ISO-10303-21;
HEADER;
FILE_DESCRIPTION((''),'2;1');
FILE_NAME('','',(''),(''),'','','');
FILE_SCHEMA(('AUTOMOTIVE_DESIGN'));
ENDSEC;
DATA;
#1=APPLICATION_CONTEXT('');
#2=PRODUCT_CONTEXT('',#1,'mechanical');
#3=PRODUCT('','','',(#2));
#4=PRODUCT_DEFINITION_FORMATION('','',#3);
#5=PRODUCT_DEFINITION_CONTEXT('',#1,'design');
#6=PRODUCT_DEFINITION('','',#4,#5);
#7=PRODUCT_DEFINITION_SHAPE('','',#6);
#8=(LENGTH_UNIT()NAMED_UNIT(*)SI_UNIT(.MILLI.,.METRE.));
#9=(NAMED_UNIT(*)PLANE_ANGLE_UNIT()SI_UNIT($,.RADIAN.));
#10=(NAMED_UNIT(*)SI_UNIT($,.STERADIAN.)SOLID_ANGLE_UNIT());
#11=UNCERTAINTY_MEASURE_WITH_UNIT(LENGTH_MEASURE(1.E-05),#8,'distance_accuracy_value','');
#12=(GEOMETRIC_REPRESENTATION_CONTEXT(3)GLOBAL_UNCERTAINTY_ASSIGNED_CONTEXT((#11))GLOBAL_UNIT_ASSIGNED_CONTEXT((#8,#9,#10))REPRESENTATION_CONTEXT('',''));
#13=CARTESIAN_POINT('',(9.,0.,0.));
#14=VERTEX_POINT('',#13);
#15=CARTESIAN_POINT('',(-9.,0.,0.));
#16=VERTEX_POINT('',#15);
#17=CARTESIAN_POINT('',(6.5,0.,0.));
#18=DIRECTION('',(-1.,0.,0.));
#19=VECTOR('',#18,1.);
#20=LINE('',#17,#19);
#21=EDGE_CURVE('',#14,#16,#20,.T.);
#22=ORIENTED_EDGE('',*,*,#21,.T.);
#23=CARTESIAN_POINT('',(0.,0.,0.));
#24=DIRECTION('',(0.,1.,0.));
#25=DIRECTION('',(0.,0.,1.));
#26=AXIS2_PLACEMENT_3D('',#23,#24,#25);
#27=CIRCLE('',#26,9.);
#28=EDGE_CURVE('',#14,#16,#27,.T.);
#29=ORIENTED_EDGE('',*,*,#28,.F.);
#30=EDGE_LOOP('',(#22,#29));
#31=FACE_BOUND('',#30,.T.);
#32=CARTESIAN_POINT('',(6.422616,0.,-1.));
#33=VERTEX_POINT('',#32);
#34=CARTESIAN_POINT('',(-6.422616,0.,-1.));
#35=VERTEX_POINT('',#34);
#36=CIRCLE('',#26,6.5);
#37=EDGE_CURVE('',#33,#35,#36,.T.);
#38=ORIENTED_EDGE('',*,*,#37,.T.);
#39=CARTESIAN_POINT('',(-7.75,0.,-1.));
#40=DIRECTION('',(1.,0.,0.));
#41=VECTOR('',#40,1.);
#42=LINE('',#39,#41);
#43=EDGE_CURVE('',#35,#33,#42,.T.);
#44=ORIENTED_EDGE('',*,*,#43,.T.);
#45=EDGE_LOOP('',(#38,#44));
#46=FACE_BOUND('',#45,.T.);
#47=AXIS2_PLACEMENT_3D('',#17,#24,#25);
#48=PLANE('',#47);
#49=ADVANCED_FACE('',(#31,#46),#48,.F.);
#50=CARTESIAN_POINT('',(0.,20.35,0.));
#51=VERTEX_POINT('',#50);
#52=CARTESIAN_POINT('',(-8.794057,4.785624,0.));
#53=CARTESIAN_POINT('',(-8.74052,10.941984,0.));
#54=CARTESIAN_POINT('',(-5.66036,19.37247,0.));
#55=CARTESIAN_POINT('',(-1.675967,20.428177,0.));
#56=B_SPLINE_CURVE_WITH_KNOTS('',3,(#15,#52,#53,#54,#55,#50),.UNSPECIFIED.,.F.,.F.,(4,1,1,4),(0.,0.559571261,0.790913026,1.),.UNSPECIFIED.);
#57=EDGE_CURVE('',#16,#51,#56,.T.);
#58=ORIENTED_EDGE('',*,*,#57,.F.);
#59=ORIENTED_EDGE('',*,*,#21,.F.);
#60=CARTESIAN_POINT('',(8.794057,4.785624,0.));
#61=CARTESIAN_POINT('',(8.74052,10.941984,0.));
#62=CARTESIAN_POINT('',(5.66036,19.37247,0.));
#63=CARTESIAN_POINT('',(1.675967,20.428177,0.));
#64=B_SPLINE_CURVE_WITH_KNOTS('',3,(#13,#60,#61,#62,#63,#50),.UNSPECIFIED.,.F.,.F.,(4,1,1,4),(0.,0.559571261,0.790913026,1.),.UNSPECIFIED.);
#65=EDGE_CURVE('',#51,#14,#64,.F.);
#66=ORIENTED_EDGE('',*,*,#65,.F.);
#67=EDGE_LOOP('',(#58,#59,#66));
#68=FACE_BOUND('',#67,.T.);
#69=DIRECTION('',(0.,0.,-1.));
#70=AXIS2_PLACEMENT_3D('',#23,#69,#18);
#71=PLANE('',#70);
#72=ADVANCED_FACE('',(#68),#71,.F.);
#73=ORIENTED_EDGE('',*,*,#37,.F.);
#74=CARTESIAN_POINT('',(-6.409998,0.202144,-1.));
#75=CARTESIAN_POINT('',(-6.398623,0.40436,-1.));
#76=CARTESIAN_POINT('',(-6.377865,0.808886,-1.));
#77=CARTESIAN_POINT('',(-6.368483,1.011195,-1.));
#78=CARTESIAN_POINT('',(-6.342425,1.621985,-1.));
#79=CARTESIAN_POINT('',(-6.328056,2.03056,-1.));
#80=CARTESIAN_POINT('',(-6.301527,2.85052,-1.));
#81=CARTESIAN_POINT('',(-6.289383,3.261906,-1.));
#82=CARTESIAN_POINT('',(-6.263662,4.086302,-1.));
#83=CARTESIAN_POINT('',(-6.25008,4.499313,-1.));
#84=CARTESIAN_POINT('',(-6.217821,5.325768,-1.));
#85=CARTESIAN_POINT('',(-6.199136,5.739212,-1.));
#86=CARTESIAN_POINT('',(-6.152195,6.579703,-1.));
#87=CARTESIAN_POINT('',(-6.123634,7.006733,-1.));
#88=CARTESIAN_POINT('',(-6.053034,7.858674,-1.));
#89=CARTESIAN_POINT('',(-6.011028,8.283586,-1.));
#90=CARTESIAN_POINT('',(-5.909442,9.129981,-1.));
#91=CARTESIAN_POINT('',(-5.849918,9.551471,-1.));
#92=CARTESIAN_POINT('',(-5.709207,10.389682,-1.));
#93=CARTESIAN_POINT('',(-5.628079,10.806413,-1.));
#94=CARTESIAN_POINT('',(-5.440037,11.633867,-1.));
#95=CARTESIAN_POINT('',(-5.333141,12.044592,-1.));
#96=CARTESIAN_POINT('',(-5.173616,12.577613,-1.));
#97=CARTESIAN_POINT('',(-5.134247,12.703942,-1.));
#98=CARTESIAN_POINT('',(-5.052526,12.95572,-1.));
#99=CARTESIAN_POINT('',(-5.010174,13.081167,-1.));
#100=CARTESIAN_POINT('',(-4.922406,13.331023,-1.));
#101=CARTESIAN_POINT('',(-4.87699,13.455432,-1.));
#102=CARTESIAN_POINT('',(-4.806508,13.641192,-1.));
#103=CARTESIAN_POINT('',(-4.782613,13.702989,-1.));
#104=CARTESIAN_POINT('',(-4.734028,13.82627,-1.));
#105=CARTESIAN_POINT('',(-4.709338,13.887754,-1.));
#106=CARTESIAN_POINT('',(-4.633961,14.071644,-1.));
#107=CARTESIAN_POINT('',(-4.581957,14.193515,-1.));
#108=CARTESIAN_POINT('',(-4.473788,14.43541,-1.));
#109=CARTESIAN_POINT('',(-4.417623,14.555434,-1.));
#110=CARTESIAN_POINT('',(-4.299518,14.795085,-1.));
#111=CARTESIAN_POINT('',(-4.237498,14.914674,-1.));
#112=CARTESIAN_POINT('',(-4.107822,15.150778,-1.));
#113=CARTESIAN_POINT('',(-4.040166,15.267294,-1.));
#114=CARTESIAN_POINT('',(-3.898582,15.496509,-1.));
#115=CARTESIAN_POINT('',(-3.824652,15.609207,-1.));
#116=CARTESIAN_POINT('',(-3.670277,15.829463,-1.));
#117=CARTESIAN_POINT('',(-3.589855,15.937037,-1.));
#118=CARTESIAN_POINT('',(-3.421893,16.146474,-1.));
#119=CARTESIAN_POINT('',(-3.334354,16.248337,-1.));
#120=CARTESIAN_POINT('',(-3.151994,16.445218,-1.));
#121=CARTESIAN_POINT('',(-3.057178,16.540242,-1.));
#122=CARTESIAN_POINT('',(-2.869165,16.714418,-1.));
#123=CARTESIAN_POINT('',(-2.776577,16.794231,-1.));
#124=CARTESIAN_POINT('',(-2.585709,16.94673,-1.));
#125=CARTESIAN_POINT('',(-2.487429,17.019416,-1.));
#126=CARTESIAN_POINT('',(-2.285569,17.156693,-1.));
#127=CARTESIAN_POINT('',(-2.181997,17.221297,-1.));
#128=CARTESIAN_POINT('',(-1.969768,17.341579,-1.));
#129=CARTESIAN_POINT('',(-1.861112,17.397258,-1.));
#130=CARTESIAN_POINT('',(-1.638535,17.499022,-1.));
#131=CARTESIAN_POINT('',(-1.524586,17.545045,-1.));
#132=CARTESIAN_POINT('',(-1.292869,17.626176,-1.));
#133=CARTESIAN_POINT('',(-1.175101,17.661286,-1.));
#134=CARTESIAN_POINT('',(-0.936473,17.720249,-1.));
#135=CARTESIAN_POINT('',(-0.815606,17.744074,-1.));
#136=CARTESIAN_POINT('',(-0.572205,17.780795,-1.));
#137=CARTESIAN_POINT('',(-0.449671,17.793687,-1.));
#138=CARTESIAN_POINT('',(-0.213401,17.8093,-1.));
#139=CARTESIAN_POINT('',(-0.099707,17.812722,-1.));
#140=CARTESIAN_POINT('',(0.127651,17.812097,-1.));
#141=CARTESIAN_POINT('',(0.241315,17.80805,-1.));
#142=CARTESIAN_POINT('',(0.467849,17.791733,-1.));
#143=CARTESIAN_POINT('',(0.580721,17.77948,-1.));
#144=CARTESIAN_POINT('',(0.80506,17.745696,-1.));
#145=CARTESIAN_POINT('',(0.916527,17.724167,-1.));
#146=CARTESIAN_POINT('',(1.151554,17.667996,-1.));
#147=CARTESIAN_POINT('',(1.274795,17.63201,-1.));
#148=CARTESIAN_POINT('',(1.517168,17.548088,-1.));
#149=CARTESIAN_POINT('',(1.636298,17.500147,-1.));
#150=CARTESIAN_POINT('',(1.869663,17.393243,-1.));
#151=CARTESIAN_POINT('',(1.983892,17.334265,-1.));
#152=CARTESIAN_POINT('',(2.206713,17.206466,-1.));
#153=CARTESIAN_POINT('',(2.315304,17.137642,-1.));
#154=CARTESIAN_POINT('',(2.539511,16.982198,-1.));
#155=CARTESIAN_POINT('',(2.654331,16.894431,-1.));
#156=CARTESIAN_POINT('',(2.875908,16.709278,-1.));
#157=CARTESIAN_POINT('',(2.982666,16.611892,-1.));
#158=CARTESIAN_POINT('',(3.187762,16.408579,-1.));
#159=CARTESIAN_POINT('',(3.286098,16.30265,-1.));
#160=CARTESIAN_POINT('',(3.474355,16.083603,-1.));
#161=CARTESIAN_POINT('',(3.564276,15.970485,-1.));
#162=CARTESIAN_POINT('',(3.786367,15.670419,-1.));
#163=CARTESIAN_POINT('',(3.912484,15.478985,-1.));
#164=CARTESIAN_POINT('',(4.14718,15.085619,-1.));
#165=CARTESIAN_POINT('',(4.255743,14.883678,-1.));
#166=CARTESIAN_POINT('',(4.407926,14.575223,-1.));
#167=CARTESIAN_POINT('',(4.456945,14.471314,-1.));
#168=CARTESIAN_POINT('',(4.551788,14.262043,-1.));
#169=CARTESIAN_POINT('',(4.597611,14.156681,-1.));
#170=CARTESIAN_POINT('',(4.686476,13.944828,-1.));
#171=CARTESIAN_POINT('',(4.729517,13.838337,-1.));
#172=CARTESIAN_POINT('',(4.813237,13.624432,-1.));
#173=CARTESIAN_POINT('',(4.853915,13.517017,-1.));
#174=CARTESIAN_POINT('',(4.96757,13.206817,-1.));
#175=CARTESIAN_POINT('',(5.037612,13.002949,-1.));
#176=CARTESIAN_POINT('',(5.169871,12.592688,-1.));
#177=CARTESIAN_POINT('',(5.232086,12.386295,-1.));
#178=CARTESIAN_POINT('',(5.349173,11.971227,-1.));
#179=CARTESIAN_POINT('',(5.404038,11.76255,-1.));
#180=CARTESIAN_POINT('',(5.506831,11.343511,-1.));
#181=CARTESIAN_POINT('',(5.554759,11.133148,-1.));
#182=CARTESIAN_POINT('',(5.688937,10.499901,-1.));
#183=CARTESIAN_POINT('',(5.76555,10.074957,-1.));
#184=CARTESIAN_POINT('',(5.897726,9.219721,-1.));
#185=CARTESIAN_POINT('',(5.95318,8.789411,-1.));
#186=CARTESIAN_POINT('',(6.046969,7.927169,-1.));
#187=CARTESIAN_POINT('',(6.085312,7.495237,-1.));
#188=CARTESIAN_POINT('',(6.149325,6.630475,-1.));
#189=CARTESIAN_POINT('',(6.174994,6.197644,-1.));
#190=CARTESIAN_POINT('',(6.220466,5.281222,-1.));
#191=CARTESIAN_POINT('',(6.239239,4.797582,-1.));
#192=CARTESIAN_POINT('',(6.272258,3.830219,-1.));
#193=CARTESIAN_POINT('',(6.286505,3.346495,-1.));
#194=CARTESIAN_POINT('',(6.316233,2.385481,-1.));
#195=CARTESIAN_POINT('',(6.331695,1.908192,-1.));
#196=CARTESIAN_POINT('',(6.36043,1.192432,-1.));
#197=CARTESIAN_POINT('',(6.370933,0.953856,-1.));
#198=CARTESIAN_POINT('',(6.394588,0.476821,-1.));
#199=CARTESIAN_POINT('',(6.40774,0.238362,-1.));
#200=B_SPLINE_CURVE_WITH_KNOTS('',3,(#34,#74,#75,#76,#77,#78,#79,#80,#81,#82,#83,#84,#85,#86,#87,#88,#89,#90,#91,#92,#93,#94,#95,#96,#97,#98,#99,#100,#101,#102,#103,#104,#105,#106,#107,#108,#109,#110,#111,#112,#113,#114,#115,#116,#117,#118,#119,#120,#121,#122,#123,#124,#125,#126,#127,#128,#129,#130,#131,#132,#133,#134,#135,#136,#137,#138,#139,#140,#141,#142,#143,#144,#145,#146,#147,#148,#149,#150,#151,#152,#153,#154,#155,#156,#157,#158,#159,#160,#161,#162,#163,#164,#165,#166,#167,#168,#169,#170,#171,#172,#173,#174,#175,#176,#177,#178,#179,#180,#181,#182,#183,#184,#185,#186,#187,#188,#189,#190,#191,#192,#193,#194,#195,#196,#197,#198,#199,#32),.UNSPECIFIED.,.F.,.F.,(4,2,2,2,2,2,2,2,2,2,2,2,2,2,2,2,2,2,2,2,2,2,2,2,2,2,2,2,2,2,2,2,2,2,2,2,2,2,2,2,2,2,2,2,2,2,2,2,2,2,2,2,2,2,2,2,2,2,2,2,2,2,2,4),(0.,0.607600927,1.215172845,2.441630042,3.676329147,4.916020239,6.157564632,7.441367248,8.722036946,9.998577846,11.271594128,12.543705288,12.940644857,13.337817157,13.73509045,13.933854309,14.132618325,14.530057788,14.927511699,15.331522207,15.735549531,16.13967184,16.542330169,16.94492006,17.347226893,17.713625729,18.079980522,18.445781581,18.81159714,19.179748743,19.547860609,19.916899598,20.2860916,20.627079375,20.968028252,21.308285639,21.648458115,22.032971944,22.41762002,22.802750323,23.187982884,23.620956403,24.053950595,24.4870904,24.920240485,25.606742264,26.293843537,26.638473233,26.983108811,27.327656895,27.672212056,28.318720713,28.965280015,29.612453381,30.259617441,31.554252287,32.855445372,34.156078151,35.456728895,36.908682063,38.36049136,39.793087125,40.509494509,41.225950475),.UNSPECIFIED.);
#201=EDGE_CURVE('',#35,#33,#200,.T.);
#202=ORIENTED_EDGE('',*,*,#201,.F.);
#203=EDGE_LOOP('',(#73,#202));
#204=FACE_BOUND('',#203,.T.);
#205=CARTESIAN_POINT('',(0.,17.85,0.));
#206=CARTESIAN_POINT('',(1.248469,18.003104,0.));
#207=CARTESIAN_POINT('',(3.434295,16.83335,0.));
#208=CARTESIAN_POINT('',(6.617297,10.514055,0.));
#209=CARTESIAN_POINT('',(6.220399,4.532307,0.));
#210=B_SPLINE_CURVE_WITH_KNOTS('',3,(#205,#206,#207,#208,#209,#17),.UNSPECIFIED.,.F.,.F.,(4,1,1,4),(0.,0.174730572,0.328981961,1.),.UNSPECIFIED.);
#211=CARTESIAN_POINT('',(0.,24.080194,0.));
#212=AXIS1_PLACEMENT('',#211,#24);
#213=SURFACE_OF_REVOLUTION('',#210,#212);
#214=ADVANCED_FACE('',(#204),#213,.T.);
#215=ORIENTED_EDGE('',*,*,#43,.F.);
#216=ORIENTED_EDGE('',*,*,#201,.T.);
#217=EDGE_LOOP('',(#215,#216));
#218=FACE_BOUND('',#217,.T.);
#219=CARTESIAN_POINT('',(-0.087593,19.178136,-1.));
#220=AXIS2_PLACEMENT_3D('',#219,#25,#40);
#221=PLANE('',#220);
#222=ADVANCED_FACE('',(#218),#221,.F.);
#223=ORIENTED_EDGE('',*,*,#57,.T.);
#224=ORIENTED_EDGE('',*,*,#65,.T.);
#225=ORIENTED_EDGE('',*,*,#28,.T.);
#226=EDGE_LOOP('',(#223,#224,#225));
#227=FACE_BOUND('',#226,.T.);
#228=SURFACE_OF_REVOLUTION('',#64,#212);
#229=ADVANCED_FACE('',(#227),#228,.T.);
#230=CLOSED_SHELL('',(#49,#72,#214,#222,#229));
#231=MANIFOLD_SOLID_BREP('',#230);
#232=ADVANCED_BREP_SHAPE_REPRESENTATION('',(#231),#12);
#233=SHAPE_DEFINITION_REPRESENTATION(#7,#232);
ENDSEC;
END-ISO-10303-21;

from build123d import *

# Parameters (mm, degrees)
SKETCH2_W           = 22.16775651
SKETCH2_H           = 25.111868119
CUT_EXTRUDE1_DEPTH  = 9
BOSS_EXTRUDE1_DEPTH = 1


with BuildPart() as part:
    # Sketch1 → Revolve1 (revolve)
    with BuildSketch(Plane.XY):
        with BuildLine():
            Line((6.5, 0), (9, 0))
            add(Edge.make_bspline(
                [(0, 20.35), (1.675966842, 20.428176516), (5.66035993, 19.372470149), (8.740520085, 10.941984052), (8.794057121, 4.785623995), (9, 0)],
                knots=[0, 0, 0, 0, 0.209086974, 0.440428739, 1, 1, 1, 1], degree=3))
            Line((0, 20.35), (0, 17.85))
            add(Edge.make_bspline(
                [(0, 17.85), (1.248468613, 18.003104069), (3.434295374, 16.83334968), (6.617297319, 10.514055415), (6.220398856, 4.532307189), (6.5, 0)],
                knots=[0, 0, 0, 0, 0.174730572, 0.328981961, 1, 1, 1, 1], degree=3))
        make_face()
    revolve(axis=Axis((0, 24.080193906, 0), (0, -1, 0)))

    # Sketch2 → Cut-Extrude1 (cut)
    with BuildSketch(Plane.XY.offset(9)):
        with Locations((0.864101602, 11.007607196)):
            Rectangle(SKETCH2_W, SKETCH2_H)
    extrude(amount=-CUT_EXTRUDE1_DEPTH, mode=Mode.SUBTRACT)

    # Sketch3 → Boss-Extrude1 (add)
    with BuildSketch(Plane.XY):
        with BuildLine():
            Line((-7.75, 0), (7.75, 0))
            add(Edge.make_bspline(
                [(-7.75, 0), (-8.003711251, 4.491264664), (-7.661665361, 10.48327828), (-4.662420922, 18.274599737), (0.148702201, 19.617208041), (4.677365419, 17.883192424), (7.773890001, 10.39627401), (7.411285563, 4.341150012), (7.75, 0)],
                knots=[0, 0, 0, 0, 0.289463592, 0.419223785, 0.501869976, 0.592483788, 0.714941347, 1, 1, 1, 1], degree=3))
        make_face()
    extrude(amount=-BOSS_EXTRUDE1_DEPTH)


solid = part.part
